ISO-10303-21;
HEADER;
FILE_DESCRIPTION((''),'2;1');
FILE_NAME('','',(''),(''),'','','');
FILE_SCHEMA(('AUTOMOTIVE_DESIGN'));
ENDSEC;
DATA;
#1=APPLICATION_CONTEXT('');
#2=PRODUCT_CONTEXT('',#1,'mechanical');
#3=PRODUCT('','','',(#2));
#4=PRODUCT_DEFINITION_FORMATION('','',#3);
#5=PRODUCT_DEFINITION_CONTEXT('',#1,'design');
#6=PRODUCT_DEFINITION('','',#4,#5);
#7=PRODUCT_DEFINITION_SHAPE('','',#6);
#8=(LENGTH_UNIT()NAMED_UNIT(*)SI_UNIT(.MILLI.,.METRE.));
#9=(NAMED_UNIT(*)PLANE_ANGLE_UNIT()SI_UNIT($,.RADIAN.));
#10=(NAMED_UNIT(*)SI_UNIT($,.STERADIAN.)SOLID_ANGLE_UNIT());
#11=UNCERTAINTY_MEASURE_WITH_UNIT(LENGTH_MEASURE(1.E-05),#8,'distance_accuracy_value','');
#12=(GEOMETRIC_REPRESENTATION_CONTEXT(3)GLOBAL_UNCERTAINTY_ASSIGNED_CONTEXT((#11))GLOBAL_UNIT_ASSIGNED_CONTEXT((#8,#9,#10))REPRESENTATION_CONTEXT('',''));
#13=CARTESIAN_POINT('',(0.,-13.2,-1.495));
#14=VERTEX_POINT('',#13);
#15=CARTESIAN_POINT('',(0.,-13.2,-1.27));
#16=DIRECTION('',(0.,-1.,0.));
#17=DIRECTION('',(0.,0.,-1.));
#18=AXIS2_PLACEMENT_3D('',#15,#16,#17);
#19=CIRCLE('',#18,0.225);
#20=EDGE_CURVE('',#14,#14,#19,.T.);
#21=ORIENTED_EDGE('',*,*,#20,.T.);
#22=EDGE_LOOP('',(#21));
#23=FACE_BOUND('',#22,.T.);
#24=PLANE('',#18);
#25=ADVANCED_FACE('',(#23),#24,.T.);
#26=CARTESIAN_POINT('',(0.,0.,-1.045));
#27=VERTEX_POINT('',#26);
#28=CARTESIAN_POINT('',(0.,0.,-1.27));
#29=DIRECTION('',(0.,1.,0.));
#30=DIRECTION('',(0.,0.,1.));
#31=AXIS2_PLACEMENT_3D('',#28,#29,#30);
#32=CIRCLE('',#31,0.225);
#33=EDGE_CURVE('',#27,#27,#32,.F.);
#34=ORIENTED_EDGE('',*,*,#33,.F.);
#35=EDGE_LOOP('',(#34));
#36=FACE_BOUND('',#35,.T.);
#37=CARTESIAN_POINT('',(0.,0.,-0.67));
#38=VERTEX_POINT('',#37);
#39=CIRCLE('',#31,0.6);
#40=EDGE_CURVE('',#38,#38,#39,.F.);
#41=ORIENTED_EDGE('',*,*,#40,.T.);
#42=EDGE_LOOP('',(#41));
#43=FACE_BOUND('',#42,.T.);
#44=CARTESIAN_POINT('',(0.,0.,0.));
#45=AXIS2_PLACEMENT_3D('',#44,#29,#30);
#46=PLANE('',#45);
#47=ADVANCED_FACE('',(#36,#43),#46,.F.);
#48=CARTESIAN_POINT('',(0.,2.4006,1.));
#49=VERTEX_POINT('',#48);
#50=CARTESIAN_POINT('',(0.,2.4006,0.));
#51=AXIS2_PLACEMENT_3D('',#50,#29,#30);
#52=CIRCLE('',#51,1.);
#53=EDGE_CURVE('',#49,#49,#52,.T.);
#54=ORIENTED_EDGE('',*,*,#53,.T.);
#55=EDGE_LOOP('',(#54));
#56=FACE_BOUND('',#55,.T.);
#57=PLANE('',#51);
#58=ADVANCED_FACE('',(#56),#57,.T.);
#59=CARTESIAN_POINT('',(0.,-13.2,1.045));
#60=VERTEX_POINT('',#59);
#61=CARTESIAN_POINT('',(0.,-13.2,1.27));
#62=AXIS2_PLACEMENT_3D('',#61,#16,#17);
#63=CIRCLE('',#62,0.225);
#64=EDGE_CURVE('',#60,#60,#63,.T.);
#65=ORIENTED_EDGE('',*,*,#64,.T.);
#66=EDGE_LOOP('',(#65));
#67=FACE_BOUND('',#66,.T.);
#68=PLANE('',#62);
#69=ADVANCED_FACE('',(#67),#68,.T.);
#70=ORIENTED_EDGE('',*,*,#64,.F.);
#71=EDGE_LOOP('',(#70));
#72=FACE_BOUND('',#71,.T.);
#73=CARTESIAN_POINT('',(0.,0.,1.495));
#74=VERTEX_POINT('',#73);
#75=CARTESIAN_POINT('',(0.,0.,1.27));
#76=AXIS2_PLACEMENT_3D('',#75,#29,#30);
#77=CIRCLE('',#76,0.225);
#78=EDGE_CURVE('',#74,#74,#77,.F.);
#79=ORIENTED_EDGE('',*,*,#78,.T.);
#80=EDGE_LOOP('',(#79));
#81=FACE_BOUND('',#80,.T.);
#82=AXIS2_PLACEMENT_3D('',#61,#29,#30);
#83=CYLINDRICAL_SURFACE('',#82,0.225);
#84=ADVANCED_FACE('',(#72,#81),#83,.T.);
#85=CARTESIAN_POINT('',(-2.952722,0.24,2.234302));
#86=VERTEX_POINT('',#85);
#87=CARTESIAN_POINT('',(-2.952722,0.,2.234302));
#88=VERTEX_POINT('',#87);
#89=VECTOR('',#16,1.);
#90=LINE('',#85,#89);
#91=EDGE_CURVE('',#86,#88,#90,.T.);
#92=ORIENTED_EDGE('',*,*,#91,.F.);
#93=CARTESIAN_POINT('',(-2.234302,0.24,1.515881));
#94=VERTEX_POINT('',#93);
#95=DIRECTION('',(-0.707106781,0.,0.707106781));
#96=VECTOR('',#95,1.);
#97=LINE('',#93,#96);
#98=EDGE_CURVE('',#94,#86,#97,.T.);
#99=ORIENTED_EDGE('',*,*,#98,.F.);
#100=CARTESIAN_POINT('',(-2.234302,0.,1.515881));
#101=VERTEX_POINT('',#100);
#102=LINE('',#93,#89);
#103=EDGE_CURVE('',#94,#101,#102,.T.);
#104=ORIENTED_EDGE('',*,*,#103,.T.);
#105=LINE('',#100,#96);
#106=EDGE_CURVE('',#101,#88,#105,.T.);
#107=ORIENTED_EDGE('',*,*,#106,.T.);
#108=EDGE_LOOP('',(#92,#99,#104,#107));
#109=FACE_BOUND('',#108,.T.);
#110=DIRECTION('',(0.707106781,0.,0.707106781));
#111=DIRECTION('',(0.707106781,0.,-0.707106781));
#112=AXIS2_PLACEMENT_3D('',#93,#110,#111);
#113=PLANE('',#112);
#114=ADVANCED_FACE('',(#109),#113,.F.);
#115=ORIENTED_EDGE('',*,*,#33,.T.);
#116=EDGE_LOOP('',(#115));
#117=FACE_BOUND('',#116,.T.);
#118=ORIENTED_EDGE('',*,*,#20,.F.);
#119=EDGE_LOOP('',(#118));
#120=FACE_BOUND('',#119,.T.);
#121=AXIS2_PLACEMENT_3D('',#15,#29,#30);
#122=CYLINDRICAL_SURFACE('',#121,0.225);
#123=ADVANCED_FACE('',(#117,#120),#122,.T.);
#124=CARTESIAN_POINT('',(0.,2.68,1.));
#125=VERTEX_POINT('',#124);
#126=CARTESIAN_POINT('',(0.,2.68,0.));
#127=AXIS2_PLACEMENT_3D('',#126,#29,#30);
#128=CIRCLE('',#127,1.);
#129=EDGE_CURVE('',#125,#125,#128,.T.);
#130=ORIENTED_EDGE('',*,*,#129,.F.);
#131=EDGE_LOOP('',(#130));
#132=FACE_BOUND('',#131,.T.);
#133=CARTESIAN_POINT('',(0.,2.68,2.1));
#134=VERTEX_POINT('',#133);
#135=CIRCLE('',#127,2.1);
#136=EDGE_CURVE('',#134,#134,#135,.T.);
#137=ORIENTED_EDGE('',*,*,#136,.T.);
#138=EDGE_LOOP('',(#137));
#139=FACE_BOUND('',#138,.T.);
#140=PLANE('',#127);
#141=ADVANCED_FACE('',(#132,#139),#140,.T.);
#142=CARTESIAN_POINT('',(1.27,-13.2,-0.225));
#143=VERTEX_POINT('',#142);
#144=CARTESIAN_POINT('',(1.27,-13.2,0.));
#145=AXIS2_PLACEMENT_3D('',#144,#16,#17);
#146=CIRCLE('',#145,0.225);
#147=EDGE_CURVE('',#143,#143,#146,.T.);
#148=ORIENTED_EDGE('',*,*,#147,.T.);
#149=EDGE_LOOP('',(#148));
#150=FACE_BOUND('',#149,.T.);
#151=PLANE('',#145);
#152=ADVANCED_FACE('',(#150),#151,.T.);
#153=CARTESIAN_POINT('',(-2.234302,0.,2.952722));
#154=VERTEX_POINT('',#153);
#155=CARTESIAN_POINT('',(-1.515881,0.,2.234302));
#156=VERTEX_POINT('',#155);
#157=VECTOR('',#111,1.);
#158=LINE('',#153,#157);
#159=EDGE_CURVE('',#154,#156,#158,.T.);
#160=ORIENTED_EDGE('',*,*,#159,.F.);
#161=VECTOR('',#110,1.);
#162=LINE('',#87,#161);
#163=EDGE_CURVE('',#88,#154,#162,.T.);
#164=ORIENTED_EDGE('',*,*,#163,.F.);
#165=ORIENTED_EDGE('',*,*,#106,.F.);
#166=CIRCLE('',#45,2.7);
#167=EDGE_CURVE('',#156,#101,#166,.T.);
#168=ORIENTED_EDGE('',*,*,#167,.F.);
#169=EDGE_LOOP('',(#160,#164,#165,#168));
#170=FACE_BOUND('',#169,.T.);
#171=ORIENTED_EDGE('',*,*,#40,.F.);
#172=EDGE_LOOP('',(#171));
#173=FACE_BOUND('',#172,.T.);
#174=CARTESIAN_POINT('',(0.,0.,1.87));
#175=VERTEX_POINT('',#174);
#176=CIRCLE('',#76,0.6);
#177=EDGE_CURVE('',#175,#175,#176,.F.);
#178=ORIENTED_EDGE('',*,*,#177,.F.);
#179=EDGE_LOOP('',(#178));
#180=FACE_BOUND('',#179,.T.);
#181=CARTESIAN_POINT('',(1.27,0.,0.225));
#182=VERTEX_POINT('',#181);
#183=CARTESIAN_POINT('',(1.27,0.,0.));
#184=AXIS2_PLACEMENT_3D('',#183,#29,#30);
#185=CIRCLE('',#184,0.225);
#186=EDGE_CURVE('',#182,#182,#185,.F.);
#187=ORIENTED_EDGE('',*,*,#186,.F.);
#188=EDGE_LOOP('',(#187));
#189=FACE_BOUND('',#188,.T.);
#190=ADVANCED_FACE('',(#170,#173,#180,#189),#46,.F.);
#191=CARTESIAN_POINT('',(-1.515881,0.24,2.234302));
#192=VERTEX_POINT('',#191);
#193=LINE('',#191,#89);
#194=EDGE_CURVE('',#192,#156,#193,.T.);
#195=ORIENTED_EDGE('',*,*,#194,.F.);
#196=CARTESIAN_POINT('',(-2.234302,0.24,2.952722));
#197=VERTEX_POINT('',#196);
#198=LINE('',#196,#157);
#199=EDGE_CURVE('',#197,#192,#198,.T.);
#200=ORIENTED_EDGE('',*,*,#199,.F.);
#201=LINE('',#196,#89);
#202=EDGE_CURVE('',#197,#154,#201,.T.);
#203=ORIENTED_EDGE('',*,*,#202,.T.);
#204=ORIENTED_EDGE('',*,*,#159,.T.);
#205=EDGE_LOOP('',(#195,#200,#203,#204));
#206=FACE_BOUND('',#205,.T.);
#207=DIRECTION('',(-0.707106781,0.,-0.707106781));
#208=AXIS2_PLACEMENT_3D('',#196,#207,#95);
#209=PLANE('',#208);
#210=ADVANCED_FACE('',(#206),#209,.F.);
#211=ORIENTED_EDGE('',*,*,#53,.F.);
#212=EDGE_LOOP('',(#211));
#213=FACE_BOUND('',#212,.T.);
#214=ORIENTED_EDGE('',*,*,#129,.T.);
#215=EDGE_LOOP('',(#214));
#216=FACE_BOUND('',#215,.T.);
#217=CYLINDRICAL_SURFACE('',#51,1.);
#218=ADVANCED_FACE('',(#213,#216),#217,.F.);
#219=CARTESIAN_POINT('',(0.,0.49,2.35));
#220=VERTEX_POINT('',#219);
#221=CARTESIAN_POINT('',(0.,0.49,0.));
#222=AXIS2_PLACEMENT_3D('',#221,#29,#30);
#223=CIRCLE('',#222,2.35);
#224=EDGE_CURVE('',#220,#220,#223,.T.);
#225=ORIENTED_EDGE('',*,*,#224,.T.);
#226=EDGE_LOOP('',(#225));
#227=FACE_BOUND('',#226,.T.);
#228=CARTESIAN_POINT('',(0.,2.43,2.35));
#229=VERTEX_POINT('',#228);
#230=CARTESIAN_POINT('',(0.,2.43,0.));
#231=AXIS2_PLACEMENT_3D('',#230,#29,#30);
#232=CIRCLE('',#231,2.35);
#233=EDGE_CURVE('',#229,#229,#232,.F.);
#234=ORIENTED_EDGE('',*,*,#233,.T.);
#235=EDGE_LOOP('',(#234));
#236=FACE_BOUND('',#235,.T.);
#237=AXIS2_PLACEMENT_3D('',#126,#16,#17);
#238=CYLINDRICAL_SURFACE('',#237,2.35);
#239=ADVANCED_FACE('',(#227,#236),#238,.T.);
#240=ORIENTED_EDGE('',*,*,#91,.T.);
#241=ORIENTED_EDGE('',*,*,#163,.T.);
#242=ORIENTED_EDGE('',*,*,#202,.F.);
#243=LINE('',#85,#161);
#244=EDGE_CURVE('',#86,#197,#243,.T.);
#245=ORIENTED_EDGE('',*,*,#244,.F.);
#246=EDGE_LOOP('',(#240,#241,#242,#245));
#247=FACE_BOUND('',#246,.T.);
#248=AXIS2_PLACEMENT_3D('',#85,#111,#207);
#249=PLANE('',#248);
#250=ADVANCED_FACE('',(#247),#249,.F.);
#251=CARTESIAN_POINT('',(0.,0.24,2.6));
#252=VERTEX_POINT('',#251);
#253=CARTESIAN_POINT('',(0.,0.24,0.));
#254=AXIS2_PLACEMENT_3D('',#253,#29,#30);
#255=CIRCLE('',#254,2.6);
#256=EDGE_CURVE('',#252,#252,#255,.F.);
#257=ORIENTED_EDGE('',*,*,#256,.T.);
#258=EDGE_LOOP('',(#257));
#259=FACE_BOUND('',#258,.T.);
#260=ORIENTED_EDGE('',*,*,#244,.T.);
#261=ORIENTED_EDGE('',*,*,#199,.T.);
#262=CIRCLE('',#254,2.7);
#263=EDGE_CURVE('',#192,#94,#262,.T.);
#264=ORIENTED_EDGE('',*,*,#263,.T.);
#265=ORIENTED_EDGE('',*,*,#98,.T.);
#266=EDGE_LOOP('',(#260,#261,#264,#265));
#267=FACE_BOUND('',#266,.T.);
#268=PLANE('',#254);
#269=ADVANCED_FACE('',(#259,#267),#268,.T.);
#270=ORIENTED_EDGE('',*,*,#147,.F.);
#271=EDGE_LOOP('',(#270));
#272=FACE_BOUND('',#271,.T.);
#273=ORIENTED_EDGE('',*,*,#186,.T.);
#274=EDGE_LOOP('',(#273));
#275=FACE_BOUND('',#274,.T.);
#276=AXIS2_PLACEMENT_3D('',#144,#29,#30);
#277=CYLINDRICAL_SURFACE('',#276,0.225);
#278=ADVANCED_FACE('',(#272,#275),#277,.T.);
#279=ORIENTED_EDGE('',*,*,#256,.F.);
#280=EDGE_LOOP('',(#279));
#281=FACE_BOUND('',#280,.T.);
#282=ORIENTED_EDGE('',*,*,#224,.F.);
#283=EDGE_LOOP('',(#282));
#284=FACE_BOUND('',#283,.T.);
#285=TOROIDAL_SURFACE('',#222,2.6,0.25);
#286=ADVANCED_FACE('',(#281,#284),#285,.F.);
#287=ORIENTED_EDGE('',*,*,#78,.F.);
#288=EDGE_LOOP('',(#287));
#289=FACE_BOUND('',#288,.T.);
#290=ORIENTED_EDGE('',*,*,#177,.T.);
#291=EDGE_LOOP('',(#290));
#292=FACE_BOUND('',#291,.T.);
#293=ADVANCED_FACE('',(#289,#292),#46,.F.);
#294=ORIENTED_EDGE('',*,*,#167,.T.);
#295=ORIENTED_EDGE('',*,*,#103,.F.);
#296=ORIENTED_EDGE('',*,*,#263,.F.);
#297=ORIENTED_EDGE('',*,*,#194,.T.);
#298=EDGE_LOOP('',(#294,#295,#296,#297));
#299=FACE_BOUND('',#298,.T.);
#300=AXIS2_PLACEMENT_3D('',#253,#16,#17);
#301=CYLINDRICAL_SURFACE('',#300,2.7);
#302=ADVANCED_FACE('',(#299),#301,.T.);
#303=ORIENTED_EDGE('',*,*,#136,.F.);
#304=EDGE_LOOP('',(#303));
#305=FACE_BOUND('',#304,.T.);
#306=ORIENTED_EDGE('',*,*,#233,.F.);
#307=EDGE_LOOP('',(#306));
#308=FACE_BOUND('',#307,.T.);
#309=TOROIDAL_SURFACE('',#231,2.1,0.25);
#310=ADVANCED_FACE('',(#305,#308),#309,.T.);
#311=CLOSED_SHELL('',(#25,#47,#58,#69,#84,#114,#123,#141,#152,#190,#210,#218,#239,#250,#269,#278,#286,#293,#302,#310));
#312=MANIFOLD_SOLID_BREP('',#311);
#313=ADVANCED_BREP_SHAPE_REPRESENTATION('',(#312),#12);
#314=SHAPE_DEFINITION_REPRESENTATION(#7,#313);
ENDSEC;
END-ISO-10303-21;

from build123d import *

# Parameters (mm, degrees)
BOSS_EXTRUDE1_DEPTH = 0.24
SKETCH3_R           = 2.35
BOSS_EXTRUDE2_DEPTH = 2.44
SKETCH4_R           = 1
CUT_EXTRUDE1_DEPTH  = 0.2794
SKETCH6_R           = 0.225
BOSS_EXTRUDE3_DEPTH = 13.2
FILLET1_R           = 0.25


with BuildPart() as part:
    # Sketch1 → Boss-Extrude1 (new body)
    with BuildSketch(Plane(origin=(0, 0, 0), x_dir=(1, 0, 0), z_dir=(0, 1, 0))):
        with BuildLine():
            Line((-2.234301709, -1.51588122), (-2.952722199, -2.234301709))
            Line((-2.952722199, -2.234301709), (-2.234301709, -2.952722199))
            Line((-2.234301709, -2.952722199), (-1.51588122, -2.234301709))
            ThreePointArc((-1.51588122, -2.234301709), (1.909188309, 1.909188309), (-2.234301709, -1.51588122))
        make_face()
    extrude(amount=BOSS_EXTRUDE1_DEPTH)

    # Sketch3 → Boss-Extrude2 (add)
    with BuildSketch(Plane(origin=(0, 0.24, 0), x_dir=(1, 0, 0), z_dir=(0, 1, 0))):
        with Locations(Location((0, 0, 0), (0, 0, 270))):  # turned: the seam where the file's is
            Circle(SKETCH3_R)
    extrude(amount=BOSS_EXTRUDE2_DEPTH)

    # Sketch4 → Cut-Extrude1 (cut)
    with BuildSketch(Plane(origin=(0, 2.68, 0), x_dir=(1, 0, 0), z_dir=(0, 1, 0))):
        with Locations(Location((0, 0, 0), (0, 0, 270))):  # turned: the seam where the file's is
            Circle(SKETCH4_R)
    extrude(amount=-CUT_EXTRUDE1_DEPTH, mode=Mode.SUBTRACT)

    # Sketch6 → Boss-Extrude3 (add)
    with BuildSketch(Plane.XZ):
        with Locations(Location((0, 1.27, 0), (0, 0, 90))):  # turned: the seam where the file's is
            Circle(SKETCH6_R)
        with Locations(Location((0, -1.27, 0), (0, 0, 90))):  # turned: the seam where the file's is
            Circle(SKETCH6_R)
        with Locations(Location((1.27, 0, 0), (0, 0, 90))):  # turned: the seam where the file's is
            Circle(SKETCH6_R)
    extrude(amount=BOSS_EXTRUDE3_DEPTH)

    # Fillet1
    fillet1_edges = [part.edges().sort_by_distance(p)[0] for p in [
        (0, 0.24, -2.35),
        (0, 2.68, -2.35),
    ]]
    fillet(fillet1_edges, radius=FILLET1_R)


solid = part.part
